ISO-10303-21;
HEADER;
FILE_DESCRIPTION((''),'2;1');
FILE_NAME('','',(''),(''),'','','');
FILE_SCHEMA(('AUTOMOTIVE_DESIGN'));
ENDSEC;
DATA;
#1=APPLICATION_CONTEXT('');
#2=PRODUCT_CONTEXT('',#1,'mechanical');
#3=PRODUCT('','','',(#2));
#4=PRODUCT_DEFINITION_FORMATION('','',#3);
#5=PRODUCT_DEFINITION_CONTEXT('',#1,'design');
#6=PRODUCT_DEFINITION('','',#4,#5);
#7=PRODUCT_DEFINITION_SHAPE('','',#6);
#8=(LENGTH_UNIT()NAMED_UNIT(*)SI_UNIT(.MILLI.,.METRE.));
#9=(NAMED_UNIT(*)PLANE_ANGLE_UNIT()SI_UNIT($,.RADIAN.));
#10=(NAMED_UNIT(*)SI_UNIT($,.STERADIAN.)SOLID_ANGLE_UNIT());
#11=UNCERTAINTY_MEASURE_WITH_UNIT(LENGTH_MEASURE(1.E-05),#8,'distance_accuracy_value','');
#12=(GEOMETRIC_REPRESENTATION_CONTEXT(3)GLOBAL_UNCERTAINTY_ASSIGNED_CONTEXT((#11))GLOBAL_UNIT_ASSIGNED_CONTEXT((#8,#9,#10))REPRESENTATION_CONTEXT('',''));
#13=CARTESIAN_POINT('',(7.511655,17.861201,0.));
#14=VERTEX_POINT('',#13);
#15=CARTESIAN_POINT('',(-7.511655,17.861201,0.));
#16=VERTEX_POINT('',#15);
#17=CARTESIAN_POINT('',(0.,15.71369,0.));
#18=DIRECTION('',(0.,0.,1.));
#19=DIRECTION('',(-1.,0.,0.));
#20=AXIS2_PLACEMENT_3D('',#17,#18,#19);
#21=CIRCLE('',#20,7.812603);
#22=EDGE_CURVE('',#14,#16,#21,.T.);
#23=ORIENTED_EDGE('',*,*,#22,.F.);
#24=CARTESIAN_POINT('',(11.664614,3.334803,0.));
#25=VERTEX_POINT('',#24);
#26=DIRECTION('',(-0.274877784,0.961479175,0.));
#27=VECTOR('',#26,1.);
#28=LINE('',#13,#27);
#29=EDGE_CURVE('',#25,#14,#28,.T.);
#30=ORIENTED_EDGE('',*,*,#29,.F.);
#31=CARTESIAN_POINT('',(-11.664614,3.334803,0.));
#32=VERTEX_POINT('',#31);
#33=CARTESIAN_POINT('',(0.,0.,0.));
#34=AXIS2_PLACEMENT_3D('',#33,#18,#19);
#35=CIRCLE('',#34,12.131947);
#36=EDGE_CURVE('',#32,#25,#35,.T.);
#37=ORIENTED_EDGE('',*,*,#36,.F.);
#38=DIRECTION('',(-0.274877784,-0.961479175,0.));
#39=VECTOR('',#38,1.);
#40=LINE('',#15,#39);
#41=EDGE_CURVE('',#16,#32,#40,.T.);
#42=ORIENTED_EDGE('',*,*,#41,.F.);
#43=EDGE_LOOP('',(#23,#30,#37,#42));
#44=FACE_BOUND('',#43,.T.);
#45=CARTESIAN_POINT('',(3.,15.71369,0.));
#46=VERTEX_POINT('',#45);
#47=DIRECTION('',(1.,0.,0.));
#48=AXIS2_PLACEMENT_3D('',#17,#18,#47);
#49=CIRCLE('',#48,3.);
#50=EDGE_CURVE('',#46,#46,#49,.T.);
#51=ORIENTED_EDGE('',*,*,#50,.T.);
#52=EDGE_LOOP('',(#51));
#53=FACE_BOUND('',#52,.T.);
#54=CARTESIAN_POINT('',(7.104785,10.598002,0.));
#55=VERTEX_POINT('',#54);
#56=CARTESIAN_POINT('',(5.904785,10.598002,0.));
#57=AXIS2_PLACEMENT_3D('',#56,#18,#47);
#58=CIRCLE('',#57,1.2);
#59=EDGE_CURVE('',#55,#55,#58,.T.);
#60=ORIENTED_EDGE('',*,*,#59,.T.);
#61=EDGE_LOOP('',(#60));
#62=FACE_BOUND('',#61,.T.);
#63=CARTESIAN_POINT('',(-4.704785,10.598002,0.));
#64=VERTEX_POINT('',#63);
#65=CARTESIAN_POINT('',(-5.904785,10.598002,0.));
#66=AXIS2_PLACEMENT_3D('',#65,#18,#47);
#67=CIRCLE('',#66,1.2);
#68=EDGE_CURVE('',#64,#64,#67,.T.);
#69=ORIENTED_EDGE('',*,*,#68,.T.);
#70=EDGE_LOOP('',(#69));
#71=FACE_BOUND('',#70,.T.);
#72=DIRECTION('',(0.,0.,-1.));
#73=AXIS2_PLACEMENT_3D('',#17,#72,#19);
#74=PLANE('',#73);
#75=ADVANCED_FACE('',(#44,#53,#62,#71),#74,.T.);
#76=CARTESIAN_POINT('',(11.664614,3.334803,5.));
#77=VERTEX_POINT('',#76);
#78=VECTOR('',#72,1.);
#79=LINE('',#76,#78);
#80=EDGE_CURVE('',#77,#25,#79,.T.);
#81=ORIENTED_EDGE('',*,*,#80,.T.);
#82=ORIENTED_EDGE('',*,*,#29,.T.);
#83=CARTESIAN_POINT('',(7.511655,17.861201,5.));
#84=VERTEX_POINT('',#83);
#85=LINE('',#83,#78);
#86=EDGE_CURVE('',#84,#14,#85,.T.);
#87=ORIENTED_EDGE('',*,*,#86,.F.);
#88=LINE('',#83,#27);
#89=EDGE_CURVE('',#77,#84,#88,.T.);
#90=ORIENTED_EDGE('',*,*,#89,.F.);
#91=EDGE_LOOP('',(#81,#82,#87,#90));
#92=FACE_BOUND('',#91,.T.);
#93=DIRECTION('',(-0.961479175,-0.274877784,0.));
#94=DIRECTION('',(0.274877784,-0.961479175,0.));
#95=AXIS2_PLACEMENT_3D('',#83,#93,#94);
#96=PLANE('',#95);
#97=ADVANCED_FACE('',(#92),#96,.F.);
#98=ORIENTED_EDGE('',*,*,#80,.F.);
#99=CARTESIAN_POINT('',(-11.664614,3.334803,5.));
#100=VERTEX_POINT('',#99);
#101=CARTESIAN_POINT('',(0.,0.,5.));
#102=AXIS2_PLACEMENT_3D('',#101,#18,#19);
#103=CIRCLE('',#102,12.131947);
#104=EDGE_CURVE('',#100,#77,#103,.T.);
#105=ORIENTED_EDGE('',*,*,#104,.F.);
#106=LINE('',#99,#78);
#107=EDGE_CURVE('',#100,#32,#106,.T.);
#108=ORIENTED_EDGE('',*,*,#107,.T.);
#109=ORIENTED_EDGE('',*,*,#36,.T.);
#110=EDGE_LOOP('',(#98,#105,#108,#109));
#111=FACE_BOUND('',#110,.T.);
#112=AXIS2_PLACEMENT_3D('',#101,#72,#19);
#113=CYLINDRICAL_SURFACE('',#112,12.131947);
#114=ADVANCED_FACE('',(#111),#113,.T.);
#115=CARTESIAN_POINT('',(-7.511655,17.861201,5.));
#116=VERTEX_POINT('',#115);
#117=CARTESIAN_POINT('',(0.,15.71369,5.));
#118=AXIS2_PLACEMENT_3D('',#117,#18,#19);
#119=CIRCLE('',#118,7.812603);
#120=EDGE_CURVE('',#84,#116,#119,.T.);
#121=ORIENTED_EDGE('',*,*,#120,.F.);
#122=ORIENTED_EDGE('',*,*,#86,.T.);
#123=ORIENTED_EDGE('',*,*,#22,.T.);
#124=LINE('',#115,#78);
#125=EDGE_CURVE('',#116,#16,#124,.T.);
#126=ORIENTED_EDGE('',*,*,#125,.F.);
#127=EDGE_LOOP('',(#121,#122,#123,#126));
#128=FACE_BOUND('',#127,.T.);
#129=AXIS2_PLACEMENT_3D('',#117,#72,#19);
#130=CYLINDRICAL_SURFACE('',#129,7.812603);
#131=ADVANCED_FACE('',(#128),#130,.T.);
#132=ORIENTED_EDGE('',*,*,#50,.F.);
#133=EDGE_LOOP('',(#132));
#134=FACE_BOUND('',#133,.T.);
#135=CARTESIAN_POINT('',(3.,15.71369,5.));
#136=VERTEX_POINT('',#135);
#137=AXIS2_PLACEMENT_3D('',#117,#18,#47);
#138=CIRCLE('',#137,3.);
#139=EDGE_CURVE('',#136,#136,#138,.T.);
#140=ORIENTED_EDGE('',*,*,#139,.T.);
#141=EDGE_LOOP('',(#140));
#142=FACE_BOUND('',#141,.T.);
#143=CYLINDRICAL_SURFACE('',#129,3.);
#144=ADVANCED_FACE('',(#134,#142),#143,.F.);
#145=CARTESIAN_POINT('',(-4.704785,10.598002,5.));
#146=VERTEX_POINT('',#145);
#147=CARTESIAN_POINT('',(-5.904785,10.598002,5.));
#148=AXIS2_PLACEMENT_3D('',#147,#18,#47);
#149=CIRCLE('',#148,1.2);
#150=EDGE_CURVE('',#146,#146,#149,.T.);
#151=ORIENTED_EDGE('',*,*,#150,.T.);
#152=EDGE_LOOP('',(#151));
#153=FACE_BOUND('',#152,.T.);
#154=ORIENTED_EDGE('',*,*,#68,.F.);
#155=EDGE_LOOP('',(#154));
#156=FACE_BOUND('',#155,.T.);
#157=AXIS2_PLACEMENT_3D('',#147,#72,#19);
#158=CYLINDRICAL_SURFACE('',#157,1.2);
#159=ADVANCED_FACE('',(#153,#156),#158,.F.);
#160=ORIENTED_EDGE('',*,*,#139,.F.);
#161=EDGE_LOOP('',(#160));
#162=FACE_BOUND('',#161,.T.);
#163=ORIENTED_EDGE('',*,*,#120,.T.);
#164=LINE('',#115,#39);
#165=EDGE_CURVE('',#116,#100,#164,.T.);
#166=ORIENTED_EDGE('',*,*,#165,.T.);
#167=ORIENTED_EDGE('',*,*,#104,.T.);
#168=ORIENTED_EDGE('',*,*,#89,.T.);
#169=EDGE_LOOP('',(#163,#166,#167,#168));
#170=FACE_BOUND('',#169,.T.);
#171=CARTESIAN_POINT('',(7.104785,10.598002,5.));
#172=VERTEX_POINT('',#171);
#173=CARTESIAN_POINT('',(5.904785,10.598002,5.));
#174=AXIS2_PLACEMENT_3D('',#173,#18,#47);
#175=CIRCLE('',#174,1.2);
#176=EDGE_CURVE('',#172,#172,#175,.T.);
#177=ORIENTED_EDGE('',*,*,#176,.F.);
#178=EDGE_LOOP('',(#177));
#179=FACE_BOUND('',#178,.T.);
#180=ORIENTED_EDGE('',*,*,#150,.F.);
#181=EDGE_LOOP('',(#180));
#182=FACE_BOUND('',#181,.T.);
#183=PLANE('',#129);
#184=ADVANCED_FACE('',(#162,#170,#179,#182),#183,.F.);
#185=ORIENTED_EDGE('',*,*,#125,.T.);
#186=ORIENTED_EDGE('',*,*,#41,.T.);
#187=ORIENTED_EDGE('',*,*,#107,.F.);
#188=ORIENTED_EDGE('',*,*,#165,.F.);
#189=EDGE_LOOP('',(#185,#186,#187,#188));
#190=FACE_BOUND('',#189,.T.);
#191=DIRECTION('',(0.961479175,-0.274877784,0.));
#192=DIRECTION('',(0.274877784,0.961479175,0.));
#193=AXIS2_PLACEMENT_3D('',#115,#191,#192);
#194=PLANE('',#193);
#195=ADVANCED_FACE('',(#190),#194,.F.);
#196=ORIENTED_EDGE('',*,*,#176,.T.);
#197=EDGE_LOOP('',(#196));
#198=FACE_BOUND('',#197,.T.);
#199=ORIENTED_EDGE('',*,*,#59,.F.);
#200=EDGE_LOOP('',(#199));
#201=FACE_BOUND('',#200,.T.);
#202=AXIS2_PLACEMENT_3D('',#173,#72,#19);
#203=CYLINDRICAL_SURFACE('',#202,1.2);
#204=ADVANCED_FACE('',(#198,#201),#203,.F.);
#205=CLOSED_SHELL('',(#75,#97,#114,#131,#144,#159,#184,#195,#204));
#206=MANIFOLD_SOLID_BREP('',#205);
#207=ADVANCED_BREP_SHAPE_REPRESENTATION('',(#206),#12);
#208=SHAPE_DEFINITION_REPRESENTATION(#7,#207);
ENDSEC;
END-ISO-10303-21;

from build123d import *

# Parameters (mm, degrees)
ESQUISSE1_R        = 3
ESQUISSE1_R_2      = 1.2
BOSS_EXTRU_1_DEPTH = 5


with BuildPart() as part:
    # Esquisse1 → Boss.-Extru.1 (new body)
    with BuildSketch(Plane.XY):
        with BuildLine():
            Line((7.511654648, 17.86120118), (11.664614312, 3.334802688))
            ThreePointArc((11.664614312, 3.334802688), (0, -12.131946918), (-11.664614312, 3.334802688))
            Line((-11.664614312, 3.334802688), (-7.511654648, 17.86120118))
            ThreePointArc((-7.511654648, 17.86120118), (0, 23.526292848), (7.511654648, 17.86120118))
        make_face()
        with Locations((0, 15.713690304)):
            Circle(ESQUISSE1_R, mode=Mode.SUBTRACT)
        with Locations((5.904785434, 10.598001934)):
            Circle(ESQUISSE1_R_2, mode=Mode.SUBTRACT)
        with Locations((-5.904785434, 10.598001934)):
            Circle(ESQUISSE1_R_2, mode=Mode.SUBTRACT)
    extrude(amount=BOSS_EXTRU_1_DEPTH)


solid = part.part
